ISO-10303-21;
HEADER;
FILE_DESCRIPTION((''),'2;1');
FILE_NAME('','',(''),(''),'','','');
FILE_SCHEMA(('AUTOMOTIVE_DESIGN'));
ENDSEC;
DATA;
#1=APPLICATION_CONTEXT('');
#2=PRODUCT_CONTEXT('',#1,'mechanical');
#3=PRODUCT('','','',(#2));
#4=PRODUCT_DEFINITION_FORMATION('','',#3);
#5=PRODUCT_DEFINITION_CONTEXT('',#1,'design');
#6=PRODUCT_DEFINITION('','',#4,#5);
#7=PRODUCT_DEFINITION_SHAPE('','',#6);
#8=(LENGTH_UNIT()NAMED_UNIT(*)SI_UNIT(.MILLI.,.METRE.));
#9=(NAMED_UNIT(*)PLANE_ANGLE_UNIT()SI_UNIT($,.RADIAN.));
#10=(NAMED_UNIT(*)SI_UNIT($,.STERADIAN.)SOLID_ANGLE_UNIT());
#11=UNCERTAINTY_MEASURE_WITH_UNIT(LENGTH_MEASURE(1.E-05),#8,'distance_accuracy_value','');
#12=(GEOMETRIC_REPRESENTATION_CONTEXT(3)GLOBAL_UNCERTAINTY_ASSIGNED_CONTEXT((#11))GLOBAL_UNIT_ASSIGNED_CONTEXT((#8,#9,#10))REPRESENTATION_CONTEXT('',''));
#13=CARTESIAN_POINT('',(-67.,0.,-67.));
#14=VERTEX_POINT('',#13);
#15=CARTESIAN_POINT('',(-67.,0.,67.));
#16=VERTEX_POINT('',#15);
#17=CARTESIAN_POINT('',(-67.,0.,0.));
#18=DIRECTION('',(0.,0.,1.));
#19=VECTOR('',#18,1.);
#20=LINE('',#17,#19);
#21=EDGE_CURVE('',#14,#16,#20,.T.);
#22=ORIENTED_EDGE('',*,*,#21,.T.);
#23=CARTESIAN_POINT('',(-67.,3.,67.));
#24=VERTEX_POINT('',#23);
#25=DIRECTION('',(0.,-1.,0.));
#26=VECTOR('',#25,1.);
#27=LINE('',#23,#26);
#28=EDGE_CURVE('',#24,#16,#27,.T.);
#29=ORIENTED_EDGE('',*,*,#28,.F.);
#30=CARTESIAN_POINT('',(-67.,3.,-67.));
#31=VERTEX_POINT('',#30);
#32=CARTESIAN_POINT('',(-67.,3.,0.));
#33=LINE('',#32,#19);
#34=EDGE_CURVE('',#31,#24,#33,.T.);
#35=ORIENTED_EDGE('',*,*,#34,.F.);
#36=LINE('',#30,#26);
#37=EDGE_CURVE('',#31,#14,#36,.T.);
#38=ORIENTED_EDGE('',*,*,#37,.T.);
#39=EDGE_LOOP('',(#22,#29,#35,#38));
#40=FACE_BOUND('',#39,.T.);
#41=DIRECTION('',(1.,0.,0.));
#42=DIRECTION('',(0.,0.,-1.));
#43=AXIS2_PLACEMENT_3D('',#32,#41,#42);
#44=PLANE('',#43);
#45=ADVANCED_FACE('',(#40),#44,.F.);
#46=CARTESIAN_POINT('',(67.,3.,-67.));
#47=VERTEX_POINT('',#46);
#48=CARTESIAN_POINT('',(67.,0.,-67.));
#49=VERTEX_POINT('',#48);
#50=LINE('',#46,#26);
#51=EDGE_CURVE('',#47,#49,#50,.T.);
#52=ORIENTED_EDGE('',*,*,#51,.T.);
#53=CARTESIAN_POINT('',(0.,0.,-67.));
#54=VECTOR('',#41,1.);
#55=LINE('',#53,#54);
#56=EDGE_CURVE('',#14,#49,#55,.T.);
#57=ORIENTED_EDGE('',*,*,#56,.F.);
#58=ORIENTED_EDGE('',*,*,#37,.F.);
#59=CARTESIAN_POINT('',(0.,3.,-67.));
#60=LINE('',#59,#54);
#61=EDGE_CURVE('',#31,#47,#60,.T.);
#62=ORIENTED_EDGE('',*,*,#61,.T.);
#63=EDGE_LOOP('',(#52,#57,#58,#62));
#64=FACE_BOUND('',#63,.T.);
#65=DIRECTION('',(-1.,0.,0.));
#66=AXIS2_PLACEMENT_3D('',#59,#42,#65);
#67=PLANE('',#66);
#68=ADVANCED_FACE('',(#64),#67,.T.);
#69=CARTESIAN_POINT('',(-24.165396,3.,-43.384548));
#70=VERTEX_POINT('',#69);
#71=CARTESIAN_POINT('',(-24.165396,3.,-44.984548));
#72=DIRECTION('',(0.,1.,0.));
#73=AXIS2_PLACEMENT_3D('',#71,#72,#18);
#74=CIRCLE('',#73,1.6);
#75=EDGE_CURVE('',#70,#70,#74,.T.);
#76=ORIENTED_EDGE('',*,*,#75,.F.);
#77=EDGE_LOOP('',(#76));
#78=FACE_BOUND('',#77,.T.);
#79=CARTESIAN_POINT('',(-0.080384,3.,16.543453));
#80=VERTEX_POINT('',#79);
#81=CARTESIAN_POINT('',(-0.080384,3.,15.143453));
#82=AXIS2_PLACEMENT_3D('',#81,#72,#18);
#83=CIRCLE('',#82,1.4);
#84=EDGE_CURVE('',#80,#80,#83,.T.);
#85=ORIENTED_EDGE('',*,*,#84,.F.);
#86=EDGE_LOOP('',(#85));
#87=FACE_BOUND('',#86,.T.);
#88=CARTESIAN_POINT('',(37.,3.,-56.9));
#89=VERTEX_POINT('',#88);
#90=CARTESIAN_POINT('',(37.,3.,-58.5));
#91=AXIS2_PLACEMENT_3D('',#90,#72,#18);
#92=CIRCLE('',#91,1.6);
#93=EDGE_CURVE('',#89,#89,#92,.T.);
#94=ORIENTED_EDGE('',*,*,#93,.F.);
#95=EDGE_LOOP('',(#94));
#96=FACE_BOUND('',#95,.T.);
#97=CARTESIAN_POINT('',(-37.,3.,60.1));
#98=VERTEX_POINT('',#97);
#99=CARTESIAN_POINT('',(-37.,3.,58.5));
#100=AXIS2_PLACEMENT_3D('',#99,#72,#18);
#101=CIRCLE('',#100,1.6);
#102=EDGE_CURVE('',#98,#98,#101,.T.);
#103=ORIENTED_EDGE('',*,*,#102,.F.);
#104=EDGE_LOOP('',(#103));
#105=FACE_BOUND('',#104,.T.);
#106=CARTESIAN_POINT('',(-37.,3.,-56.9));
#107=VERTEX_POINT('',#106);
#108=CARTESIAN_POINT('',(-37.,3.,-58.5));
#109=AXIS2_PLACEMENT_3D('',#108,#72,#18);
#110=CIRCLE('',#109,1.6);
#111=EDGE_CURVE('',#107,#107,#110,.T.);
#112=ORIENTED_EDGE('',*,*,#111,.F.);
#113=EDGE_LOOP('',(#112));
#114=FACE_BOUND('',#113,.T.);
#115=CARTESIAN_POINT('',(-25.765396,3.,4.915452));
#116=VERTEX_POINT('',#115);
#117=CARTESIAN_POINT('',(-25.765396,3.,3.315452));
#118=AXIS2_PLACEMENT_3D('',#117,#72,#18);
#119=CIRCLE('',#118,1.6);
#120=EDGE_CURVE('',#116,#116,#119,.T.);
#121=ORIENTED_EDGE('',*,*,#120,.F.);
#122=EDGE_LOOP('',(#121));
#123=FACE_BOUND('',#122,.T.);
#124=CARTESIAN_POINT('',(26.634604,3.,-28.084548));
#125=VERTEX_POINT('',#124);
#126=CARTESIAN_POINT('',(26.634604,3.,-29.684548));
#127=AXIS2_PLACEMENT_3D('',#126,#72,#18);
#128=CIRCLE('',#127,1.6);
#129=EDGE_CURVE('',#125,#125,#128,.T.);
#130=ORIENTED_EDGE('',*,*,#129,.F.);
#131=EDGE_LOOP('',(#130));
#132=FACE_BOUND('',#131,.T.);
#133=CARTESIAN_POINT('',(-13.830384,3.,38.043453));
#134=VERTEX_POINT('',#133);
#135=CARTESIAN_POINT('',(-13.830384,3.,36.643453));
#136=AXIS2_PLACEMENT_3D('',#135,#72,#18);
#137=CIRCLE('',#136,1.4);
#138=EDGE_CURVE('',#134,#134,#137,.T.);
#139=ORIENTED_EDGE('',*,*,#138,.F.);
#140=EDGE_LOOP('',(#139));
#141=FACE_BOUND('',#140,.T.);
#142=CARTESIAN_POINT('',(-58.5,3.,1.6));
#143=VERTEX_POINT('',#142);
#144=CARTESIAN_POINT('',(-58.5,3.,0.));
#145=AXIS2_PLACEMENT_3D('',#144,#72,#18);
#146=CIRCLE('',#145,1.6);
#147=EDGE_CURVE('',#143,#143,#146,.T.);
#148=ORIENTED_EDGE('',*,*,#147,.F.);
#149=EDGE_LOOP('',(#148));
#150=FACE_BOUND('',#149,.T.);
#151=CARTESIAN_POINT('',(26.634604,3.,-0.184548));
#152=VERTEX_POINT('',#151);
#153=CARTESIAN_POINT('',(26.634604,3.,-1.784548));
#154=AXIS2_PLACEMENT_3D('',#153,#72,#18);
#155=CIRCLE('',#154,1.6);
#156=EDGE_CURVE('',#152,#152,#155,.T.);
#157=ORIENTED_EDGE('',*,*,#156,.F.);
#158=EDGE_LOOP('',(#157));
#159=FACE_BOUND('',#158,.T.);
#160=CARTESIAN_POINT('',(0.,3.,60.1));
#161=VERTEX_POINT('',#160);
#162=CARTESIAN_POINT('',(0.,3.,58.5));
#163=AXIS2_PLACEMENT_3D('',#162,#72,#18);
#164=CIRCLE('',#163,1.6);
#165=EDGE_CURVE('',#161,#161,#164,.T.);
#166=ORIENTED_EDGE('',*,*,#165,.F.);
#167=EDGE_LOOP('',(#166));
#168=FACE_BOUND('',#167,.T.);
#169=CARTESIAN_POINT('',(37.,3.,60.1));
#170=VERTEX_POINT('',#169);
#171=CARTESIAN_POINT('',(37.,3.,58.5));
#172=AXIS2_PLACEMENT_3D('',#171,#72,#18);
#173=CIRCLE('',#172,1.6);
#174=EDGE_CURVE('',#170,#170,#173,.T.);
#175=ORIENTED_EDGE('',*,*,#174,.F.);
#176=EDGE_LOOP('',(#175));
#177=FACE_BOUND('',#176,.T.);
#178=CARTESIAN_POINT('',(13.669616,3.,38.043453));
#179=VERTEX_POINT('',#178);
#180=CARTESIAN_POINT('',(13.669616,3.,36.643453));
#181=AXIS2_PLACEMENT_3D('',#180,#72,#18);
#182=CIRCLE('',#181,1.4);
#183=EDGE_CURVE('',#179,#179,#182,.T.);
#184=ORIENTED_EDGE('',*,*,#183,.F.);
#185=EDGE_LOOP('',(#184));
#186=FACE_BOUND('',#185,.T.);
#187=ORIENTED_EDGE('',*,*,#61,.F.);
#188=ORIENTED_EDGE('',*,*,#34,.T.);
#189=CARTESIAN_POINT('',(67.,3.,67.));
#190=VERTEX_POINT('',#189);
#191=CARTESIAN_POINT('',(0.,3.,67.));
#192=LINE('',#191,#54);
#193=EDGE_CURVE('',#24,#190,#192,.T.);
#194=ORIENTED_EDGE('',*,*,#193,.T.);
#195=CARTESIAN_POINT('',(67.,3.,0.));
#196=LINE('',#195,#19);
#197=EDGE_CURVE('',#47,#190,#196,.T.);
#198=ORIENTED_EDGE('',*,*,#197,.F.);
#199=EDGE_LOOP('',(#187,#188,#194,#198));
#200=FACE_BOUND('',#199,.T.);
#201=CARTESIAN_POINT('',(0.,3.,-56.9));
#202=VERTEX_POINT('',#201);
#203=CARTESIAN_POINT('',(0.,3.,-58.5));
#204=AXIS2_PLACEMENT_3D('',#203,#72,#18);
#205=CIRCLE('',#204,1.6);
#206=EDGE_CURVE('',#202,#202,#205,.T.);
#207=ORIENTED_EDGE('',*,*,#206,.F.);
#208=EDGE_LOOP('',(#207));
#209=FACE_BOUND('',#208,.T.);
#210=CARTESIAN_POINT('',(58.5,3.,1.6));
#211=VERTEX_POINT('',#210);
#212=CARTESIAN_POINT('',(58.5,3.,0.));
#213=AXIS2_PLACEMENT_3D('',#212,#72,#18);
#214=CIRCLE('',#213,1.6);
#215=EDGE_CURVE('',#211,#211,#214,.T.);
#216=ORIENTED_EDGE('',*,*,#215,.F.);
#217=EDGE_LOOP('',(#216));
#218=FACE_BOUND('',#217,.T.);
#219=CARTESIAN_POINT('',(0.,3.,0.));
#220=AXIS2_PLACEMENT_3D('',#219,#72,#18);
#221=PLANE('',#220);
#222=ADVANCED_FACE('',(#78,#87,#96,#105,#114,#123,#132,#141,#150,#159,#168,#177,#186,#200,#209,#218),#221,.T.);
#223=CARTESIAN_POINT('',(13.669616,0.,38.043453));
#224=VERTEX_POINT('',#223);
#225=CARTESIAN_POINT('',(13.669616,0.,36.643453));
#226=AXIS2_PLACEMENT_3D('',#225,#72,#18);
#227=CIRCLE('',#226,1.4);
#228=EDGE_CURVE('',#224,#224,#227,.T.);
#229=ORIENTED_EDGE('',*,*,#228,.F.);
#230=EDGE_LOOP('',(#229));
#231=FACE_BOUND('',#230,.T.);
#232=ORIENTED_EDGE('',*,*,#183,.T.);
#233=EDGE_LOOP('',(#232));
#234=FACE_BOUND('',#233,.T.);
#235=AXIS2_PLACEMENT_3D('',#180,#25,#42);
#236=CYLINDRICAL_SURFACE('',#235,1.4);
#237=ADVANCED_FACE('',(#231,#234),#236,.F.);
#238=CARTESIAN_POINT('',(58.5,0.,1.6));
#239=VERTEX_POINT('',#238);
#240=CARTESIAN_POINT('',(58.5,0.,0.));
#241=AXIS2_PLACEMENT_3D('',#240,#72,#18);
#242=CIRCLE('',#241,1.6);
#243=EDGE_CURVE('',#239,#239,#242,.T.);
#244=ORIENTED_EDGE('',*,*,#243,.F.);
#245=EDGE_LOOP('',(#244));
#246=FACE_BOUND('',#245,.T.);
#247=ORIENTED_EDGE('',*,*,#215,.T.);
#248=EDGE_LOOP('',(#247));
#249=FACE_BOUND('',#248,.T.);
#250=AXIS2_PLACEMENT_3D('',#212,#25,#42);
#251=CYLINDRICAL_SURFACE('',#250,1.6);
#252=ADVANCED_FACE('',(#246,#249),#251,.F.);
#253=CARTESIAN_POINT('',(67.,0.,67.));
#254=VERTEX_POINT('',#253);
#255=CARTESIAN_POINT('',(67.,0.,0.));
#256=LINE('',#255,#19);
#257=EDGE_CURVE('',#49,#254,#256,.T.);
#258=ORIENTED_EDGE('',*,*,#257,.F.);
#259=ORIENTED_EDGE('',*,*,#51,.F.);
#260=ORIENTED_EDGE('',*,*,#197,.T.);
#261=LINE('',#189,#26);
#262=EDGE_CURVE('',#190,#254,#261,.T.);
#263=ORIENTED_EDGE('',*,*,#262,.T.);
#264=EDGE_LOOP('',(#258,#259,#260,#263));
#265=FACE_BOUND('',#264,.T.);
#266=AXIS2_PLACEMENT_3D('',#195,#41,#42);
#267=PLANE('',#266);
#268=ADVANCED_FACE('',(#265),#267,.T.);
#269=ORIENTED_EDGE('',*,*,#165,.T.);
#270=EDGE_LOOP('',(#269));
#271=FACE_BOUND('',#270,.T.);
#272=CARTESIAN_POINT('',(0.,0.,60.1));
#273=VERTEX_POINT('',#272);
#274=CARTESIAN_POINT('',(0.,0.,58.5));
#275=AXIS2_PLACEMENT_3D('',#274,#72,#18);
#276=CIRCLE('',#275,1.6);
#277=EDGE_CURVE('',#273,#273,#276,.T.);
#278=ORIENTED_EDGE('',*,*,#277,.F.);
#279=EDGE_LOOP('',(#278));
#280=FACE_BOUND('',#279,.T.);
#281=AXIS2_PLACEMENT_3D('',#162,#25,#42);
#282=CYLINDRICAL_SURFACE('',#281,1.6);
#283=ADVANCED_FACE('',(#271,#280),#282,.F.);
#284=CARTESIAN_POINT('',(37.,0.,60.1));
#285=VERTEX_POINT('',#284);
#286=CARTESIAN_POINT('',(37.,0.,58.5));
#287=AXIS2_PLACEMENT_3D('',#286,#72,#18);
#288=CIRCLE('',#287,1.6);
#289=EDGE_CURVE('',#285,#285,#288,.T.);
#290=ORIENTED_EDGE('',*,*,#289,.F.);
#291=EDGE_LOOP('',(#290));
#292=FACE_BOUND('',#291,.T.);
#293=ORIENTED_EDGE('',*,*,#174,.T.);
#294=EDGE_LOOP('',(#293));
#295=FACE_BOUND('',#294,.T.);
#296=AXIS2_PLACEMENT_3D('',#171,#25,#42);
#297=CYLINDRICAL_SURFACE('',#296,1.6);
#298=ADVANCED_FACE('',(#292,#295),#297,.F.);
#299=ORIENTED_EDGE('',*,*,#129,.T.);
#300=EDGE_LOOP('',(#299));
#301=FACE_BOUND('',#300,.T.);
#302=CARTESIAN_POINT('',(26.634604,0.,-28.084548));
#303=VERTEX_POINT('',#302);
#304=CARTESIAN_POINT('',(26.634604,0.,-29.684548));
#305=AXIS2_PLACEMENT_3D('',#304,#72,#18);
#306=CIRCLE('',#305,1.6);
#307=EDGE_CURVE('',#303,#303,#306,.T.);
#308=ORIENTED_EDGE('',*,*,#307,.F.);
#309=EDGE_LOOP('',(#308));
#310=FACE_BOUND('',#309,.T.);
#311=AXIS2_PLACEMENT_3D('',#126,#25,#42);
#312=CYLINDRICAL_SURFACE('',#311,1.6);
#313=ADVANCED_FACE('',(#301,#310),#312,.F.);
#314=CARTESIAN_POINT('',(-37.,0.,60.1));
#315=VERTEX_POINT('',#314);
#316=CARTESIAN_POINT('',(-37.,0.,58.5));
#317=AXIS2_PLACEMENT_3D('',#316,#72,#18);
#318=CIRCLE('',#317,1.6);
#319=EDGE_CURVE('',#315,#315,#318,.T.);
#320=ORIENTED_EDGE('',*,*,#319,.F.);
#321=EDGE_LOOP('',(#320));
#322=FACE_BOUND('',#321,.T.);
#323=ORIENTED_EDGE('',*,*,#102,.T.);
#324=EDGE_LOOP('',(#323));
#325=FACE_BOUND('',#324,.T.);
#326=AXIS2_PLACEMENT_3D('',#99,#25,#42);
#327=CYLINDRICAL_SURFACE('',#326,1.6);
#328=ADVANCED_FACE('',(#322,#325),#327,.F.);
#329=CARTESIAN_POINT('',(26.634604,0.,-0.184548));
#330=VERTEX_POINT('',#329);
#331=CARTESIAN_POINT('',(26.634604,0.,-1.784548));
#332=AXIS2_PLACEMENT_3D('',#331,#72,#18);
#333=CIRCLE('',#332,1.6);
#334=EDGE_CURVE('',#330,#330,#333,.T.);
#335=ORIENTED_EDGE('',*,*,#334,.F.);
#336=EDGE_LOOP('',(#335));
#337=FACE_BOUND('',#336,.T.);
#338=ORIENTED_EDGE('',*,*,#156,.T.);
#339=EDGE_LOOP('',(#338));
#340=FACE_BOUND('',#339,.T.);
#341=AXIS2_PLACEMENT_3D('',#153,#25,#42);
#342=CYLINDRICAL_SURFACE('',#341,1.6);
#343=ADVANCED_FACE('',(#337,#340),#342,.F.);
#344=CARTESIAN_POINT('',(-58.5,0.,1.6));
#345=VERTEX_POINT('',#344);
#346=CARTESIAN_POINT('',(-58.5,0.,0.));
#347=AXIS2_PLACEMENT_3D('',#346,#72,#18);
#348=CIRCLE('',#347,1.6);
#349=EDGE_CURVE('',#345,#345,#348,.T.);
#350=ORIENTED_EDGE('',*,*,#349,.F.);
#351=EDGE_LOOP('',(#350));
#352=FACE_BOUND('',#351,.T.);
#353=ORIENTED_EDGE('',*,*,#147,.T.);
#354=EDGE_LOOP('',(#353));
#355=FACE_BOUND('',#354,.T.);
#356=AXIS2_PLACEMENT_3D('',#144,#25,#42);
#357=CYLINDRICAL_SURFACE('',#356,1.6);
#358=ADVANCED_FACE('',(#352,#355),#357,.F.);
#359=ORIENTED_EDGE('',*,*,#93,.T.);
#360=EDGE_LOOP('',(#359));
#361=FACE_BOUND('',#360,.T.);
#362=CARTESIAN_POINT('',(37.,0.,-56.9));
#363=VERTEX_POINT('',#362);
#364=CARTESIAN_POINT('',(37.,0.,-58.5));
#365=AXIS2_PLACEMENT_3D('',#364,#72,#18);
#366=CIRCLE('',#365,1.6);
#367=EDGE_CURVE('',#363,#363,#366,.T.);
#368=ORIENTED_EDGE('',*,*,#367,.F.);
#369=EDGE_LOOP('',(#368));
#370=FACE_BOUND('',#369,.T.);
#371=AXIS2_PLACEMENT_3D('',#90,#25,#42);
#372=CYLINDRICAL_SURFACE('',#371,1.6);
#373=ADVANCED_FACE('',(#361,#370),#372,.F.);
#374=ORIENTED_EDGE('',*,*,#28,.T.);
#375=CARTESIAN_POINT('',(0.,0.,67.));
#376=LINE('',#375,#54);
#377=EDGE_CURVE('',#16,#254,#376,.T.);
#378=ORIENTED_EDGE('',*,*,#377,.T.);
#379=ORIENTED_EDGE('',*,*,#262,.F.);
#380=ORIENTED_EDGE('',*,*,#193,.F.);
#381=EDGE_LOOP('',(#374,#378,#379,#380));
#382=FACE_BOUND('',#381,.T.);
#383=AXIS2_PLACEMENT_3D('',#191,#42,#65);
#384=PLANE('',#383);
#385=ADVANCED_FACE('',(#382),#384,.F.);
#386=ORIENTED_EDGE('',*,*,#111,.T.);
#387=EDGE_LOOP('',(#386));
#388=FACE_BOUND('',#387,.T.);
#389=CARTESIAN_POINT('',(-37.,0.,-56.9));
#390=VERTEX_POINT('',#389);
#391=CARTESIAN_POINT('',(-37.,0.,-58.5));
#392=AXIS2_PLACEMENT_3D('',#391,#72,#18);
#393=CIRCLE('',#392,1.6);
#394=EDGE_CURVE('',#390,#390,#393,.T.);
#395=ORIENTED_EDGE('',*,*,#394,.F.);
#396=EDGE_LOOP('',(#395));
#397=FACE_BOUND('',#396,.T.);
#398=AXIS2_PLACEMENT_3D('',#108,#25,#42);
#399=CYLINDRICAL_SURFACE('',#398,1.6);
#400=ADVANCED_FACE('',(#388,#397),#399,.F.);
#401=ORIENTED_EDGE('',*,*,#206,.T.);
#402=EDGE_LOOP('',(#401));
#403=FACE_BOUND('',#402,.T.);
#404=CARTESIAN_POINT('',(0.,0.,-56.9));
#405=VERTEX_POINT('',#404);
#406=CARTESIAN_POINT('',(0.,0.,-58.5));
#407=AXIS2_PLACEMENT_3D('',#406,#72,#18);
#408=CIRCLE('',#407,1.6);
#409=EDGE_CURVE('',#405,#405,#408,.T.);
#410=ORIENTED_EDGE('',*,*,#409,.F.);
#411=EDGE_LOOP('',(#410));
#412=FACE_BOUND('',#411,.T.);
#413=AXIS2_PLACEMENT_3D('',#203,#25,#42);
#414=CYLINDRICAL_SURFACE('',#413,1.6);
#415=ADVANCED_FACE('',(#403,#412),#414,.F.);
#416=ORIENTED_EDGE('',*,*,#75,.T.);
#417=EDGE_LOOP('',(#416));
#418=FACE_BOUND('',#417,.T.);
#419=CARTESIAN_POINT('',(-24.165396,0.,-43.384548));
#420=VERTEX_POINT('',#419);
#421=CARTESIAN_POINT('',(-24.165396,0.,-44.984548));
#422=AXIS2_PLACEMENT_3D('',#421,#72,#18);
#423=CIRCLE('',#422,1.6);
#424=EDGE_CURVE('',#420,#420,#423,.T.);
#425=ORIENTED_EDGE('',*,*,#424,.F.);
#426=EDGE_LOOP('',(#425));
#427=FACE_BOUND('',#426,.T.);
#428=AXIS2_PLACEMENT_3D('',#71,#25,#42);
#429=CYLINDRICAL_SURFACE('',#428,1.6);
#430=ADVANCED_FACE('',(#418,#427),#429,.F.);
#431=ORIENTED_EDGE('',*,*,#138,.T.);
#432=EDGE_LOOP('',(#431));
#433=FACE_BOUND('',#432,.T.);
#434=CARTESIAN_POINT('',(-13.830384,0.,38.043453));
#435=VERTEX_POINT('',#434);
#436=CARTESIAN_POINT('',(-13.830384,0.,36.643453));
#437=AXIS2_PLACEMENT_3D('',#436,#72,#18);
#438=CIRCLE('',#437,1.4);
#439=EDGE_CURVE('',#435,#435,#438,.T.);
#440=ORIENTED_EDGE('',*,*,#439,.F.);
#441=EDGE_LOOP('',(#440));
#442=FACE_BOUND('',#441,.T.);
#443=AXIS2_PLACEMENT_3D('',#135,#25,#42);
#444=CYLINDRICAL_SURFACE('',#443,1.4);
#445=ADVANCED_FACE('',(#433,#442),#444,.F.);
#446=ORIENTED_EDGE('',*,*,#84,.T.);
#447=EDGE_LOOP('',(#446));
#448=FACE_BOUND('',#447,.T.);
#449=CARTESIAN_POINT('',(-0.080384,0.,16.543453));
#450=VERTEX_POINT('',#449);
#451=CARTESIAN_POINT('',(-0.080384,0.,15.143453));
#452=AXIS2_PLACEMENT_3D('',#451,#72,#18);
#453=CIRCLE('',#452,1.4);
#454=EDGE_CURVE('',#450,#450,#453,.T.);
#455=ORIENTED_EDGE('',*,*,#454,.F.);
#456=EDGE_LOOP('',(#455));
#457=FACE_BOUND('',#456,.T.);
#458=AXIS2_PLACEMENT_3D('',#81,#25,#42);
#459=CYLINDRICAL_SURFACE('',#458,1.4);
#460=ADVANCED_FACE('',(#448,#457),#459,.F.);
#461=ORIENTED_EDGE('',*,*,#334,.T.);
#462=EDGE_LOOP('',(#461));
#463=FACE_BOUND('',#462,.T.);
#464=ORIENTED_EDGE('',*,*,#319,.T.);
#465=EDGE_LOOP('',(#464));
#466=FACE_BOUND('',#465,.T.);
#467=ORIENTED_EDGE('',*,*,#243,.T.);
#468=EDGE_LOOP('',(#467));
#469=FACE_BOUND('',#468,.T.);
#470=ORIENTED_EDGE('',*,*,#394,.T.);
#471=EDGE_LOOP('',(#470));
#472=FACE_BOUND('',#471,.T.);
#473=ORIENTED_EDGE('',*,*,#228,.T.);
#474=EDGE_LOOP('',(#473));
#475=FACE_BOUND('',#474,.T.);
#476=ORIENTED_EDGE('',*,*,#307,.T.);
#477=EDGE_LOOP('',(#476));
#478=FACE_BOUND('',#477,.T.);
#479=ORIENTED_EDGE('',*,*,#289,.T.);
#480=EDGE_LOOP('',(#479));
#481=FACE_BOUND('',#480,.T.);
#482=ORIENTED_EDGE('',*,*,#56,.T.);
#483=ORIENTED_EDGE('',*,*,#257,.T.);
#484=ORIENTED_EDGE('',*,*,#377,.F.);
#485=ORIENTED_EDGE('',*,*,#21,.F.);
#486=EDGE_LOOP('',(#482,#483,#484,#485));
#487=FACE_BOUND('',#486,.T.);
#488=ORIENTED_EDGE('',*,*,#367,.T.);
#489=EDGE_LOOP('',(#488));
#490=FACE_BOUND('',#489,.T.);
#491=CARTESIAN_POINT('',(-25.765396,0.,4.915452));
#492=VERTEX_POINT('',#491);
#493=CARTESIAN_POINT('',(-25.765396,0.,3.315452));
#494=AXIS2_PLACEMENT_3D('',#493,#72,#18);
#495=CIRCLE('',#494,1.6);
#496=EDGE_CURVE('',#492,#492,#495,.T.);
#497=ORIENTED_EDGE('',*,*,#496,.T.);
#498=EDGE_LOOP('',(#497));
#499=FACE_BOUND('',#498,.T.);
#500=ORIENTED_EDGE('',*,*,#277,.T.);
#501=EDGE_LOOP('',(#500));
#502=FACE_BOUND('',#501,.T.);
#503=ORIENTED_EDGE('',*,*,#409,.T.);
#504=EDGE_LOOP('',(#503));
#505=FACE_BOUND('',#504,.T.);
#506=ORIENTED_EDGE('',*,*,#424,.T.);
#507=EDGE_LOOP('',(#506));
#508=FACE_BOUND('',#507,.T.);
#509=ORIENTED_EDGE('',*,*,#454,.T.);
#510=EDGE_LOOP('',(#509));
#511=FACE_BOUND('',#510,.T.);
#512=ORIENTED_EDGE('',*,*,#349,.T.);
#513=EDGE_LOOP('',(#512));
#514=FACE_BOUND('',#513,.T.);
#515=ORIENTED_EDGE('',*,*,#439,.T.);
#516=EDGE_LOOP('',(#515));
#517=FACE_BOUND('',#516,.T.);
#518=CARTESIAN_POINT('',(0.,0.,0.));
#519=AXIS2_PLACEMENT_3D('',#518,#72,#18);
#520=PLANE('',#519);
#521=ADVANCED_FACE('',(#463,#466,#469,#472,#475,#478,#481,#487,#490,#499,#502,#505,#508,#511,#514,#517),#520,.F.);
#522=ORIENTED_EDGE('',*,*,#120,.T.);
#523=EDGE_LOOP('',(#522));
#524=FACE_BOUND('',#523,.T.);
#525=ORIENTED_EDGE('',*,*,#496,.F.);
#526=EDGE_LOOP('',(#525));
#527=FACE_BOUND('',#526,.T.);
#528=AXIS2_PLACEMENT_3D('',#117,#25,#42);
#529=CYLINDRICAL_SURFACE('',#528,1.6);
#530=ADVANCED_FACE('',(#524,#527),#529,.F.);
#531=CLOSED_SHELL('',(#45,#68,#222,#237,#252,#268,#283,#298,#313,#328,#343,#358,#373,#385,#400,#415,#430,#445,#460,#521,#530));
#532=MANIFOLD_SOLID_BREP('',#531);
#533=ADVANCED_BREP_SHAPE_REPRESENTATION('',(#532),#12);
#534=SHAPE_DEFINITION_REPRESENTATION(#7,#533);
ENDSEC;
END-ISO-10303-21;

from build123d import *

# Parameters (mm, degrees)
SKETCH2_W           = 134
SKETCH2_H           = 134
SKETCH2_R           = 1.4
SKETCH2_R_2         = 1.6
BOSS_EXTRUDE2_DEPTH = 3


with BuildPart() as part:
    # Sketch2 → Boss-Extrude2 (new body)
    with BuildSketch(Plane(origin=(0, 0, 0), x_dir=(1, 0, 0), z_dir=(0, 1, 0))):
        Rectangle(SKETCH2_W, SKETCH2_H)
        with Locations((-0.080384087, -15.14345336)):
            Circle(SKETCH2_R, mode=Mode.SUBTRACT)
        with Locations((-13.830384087, -36.64345336)):
            Circle(SKETCH2_R, mode=Mode.SUBTRACT)
        with Locations((13.669615913, -36.64345336)):
            Circle(SKETCH2_R, mode=Mode.SUBTRACT)
        with Locations((-24.165395582, 44.984548377)):
            Circle(SKETCH2_R_2, mode=Mode.SUBTRACT)
        with Locations((-25.765395582, -3.315451623)):
            Circle(SKETCH2_R_2, mode=Mode.SUBTRACT)
        with Locations((26.634604418, 29.684548377)):
            Circle(SKETCH2_R_2, mode=Mode.SUBTRACT)
        with Locations((26.634604418, 1.784548377)):
            Circle(SKETCH2_R_2, mode=Mode.SUBTRACT)
        with Locations((0, 58.5)):
            Circle(SKETCH2_R_2, mode=Mode.SUBTRACT)
        with Locations((-58.5, 0)):
            Circle(SKETCH2_R_2, mode=Mode.SUBTRACT)
        with Locations((0, -58.5)):
            Circle(SKETCH2_R_2, mode=Mode.SUBTRACT)
        with Locations((58.5, 0)):
            Circle(SKETCH2_R_2, mode=Mode.SUBTRACT)
        with Locations((-37, 58.5)):
            Circle(SKETCH2_R_2, mode=Mode.SUBTRACT)
        with Locations((37, 58.5)):
            Circle(SKETCH2_R_2, mode=Mode.SUBTRACT)
        with Locations((-37, -58.5)):
            Circle(SKETCH2_R_2, mode=Mode.SUBTRACT)
        with Locations((37, -58.5)):
            Circle(SKETCH2_R_2, mode=Mode.SUBTRACT)
    extrude(amount=BOSS_EXTRUDE2_DEPTH)


solid = part.part
